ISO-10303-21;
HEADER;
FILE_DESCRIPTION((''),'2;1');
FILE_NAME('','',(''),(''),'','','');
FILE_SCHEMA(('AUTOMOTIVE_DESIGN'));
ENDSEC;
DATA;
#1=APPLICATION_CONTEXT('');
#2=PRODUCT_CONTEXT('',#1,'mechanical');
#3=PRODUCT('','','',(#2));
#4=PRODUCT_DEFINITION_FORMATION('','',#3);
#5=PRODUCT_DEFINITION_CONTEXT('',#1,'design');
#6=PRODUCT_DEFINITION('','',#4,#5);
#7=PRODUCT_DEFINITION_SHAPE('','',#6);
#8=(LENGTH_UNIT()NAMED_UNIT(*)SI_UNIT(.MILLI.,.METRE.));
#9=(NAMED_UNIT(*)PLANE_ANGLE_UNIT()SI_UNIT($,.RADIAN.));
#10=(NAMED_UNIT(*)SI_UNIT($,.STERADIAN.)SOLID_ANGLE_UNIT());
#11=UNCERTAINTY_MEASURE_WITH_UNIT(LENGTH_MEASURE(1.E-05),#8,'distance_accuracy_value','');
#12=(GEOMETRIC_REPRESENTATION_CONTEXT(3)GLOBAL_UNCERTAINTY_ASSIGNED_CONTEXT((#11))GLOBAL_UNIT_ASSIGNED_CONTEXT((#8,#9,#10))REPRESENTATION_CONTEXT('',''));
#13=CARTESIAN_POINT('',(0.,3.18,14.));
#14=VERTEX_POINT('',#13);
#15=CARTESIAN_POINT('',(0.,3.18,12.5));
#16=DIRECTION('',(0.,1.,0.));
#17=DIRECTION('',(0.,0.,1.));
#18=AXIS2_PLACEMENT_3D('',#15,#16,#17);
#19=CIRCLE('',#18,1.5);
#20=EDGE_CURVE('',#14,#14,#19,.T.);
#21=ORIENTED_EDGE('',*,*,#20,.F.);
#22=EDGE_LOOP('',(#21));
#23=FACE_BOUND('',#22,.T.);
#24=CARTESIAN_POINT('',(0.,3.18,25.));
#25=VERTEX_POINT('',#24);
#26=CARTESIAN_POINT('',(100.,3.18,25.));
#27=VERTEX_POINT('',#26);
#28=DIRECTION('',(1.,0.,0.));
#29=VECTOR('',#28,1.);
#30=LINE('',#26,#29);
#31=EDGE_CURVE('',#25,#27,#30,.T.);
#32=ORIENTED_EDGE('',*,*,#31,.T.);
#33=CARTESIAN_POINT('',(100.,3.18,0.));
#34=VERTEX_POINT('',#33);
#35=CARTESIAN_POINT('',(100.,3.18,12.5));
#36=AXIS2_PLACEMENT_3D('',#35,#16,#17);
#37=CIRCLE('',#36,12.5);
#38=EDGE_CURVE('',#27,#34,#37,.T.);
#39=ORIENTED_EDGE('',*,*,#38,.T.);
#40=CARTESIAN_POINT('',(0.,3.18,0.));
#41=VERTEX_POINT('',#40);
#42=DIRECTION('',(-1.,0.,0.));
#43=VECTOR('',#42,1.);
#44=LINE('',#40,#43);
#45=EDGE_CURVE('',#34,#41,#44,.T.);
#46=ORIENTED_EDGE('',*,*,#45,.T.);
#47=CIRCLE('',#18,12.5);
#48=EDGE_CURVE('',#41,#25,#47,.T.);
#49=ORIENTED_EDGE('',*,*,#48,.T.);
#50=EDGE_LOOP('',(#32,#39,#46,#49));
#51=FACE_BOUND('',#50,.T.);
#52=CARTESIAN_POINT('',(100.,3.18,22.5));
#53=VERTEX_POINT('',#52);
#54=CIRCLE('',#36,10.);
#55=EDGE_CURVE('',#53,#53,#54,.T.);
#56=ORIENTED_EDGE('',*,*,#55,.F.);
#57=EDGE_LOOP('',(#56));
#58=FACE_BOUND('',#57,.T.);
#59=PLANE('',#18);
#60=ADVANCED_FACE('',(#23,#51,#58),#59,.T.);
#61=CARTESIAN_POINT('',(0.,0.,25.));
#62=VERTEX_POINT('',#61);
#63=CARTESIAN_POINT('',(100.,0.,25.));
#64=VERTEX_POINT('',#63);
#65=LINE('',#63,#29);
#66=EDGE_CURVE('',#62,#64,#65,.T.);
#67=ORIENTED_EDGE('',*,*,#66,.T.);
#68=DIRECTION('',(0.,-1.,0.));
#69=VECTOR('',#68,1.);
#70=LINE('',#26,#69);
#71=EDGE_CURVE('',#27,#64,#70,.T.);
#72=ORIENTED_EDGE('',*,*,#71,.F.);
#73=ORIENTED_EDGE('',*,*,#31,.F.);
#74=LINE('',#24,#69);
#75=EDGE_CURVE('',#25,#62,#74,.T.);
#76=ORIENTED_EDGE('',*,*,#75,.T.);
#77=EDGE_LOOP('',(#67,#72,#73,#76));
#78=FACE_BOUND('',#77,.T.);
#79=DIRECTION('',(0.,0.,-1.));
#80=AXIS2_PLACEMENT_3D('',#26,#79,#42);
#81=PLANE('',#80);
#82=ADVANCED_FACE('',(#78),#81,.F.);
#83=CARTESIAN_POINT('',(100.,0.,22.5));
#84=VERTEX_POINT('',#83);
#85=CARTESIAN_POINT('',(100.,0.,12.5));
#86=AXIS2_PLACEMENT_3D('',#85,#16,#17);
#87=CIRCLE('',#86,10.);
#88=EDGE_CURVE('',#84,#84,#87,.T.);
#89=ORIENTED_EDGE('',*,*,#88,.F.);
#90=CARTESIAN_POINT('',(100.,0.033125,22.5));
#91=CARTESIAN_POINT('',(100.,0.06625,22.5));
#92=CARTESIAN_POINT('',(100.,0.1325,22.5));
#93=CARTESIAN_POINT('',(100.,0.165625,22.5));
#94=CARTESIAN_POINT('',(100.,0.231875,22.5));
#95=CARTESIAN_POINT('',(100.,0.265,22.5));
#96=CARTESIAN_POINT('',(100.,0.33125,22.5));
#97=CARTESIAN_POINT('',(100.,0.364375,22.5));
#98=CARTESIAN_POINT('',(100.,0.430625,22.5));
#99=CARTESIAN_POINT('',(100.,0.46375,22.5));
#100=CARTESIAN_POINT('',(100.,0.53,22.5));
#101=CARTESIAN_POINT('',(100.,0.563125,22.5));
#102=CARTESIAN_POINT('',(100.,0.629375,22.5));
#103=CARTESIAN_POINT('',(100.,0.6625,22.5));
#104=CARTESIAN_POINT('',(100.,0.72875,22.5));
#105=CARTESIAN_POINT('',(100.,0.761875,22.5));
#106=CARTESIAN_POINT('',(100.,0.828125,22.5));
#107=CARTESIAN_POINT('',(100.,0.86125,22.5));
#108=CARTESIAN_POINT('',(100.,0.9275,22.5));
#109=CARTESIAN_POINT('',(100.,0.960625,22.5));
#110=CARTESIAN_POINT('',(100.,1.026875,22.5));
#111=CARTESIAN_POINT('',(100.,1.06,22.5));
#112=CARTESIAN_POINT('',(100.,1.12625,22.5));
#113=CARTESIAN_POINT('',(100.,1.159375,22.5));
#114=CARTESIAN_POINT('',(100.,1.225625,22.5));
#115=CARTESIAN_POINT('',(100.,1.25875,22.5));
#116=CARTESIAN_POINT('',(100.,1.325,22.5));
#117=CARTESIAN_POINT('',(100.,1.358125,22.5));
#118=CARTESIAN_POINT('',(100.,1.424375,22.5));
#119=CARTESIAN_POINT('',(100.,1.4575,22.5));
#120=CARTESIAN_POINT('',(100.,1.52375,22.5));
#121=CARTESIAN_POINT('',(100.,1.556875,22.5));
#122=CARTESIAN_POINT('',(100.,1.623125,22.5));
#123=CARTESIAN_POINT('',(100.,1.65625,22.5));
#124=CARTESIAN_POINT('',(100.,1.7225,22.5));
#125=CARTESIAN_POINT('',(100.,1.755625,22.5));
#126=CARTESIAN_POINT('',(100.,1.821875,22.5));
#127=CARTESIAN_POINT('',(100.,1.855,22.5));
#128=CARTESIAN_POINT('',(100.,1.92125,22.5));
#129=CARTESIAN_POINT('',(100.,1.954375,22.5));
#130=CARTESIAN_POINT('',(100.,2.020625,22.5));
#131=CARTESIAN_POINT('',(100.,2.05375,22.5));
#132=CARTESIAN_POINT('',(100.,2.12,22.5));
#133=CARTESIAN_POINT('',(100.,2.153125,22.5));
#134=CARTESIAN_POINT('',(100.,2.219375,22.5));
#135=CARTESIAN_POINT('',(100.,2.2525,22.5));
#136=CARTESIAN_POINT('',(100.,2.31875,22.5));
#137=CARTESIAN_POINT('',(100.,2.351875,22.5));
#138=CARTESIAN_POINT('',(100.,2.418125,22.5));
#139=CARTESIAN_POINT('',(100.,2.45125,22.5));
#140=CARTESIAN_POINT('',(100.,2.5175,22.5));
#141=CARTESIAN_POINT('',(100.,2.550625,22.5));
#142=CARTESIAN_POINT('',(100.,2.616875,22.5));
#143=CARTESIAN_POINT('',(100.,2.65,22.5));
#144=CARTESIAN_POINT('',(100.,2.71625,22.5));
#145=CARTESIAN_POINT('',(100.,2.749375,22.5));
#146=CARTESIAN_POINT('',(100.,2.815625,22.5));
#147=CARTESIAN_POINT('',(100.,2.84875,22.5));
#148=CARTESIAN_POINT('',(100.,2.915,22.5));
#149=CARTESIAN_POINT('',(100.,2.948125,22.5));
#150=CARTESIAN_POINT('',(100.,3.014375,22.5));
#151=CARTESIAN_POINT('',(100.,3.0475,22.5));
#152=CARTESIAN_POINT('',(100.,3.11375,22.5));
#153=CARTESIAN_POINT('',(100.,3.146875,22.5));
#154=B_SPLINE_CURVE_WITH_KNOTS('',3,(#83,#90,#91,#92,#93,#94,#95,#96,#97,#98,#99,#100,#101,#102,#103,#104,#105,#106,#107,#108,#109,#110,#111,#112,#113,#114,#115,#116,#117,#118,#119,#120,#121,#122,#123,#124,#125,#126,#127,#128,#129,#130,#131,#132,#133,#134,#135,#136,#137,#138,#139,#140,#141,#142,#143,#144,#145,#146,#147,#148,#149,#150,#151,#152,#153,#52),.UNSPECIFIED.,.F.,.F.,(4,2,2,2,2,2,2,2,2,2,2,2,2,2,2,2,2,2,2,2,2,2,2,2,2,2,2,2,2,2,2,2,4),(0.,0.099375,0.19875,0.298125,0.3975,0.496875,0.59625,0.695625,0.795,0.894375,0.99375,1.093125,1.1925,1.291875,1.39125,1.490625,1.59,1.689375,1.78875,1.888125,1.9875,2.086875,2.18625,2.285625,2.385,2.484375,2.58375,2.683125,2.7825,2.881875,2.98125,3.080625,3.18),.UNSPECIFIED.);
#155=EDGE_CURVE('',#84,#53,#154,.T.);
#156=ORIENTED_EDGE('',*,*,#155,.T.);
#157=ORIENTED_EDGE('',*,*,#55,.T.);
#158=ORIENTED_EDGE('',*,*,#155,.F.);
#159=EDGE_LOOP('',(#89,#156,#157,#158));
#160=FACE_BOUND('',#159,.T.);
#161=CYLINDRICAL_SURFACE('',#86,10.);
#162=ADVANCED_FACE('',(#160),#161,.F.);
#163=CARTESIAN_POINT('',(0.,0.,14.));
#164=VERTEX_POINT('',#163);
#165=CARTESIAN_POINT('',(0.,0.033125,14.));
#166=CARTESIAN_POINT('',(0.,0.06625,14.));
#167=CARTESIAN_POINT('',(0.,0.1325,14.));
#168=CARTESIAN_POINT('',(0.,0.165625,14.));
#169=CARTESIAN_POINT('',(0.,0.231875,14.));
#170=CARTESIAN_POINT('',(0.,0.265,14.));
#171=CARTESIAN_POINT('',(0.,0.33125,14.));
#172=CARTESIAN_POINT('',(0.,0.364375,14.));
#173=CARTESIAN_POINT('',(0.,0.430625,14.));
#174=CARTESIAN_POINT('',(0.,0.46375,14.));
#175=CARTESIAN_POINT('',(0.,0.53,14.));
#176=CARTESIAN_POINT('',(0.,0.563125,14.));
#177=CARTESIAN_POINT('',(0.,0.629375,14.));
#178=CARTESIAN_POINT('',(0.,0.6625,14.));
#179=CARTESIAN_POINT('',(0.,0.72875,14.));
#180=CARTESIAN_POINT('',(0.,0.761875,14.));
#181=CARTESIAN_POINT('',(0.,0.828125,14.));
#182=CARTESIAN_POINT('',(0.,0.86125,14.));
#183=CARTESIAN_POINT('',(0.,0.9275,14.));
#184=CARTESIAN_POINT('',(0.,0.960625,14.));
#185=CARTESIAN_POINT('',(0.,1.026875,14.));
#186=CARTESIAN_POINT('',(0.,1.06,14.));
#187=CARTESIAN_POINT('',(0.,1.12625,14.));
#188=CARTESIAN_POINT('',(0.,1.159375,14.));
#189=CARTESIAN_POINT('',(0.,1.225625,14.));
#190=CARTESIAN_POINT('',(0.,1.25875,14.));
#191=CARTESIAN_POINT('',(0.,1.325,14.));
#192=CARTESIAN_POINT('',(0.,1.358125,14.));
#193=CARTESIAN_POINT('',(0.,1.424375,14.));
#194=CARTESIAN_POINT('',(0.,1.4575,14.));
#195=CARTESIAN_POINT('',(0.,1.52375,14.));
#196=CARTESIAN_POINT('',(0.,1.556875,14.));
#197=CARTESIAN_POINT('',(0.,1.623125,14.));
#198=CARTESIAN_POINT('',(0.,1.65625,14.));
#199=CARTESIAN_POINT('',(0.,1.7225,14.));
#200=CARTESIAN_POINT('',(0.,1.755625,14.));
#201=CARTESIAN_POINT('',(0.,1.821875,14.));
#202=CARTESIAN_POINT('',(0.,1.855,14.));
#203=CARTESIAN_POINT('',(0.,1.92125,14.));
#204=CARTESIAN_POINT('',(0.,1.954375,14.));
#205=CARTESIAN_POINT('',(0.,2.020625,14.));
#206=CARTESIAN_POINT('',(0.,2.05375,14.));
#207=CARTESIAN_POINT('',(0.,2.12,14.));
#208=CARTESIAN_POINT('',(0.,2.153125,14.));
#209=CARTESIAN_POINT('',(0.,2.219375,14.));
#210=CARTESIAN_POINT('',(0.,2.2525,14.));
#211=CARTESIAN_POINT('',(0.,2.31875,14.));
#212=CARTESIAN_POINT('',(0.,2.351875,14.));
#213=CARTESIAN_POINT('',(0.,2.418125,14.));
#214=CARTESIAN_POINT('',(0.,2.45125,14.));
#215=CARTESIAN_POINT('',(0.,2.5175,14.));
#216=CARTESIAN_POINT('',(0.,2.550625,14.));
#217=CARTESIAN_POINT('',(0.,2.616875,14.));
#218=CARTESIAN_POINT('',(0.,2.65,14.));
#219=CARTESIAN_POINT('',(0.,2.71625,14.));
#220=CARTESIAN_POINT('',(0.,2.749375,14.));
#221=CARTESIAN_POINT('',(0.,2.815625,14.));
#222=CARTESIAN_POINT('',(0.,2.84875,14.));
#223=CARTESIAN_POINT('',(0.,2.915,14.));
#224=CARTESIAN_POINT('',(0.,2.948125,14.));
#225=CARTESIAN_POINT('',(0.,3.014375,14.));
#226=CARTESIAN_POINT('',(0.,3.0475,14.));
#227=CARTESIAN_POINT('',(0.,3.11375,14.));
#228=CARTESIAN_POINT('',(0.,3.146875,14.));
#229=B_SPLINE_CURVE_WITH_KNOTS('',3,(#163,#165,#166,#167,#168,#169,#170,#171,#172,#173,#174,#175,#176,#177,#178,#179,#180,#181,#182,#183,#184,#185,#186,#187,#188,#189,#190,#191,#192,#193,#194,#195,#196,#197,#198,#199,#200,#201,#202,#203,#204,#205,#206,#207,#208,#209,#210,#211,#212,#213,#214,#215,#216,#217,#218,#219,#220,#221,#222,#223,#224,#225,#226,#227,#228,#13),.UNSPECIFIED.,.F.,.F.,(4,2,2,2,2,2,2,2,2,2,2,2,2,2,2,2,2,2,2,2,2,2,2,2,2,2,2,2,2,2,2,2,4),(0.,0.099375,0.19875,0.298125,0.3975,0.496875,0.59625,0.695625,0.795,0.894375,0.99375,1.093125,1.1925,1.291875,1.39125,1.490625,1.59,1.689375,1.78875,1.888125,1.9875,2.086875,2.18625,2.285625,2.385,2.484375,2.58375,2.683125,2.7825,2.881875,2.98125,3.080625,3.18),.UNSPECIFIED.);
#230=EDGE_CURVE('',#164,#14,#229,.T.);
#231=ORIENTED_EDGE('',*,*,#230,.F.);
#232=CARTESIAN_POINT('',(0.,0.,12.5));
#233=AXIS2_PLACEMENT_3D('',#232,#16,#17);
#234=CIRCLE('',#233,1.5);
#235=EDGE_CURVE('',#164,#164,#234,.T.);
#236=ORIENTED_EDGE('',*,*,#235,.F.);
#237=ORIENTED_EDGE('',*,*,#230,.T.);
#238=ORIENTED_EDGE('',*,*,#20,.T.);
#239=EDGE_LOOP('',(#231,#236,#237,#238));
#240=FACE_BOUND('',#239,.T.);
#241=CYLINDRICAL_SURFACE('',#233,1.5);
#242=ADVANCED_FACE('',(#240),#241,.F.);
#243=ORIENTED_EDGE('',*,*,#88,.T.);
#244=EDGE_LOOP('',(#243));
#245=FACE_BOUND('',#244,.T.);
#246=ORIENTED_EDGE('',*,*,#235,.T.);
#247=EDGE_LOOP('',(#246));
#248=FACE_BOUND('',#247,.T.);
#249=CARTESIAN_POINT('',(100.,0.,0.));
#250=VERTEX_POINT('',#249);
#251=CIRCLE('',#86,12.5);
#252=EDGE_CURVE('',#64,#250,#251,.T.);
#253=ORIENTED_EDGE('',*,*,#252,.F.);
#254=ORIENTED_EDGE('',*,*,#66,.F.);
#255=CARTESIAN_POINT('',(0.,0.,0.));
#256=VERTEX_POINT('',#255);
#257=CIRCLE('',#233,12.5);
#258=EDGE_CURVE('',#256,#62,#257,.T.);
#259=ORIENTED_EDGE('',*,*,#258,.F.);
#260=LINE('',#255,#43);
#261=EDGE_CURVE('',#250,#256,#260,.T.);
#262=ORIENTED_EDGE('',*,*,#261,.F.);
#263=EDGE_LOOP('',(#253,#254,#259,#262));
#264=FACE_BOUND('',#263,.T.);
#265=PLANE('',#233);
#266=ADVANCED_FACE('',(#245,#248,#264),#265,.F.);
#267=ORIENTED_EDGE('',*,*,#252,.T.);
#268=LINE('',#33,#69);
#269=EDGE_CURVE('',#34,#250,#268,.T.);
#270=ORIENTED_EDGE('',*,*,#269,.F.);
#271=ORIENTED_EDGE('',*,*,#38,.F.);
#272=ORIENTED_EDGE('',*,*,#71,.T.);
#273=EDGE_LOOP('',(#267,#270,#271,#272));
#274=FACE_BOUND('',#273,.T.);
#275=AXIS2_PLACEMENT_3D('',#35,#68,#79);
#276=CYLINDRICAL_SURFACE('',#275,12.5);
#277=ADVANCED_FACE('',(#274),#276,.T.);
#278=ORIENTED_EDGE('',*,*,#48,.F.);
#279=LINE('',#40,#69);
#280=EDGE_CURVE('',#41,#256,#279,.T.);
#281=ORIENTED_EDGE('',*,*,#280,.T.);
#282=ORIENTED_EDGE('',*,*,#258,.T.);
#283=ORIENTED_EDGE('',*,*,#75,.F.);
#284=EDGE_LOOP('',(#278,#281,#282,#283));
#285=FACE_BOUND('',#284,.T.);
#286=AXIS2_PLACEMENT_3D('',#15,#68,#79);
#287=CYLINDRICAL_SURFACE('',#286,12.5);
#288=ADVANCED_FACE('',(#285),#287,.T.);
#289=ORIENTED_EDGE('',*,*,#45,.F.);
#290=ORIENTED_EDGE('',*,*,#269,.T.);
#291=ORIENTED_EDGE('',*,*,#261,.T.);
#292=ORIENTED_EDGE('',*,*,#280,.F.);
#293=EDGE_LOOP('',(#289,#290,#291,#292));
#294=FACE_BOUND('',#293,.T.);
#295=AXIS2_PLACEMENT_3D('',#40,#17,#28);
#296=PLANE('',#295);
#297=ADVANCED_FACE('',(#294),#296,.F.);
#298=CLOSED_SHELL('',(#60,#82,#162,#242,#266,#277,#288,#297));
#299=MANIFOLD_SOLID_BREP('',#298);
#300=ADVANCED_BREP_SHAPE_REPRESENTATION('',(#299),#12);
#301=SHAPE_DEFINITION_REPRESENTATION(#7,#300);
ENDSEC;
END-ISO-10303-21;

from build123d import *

# Parameters (mm, degrees)
BOSS_EXTRUDE1_DEPTH = 3.18
SKETCH2_R           = 1.5
SKETCH2_R_2         = 10
CUT_EXTRUDE1_DEPTH  = 3.18


with BuildPart() as part:
    # Sketch1 → Boss-Extrude1 (new body)
    with BuildSketch(Plane(origin=(0, 0, 0), x_dir=(1, 0, 0), z_dir=(0, 1, 0))):
        with BuildLine():
            Line((0, 0), (100, 0))
            ThreePointArc((100, 0), (112.5, -12.5), (100, -25))
            Line((100, -25), (0, -25))
            ThreePointArc((0, -25), (-12.5, -12.5), (0, 0))
        make_face()
    extrude(amount=BOSS_EXTRUDE1_DEPTH)

    # Sketch2 → Cut-Extrude1 (cut)
    with BuildSketch(Plane(origin=(0, 3.18, 0), x_dir=(1, 0, 0), z_dir=(0, 1, 0))):
        with Locations(Location((0, -12.5, 0), (0, 0, 270))):
            Circle(SKETCH2_R)
        with Locations(Location((100, -12.5, 0), (0, 0, 270))):
            Circle(SKETCH2_R_2)
    extrude(amount=-CUT_EXTRUDE1_DEPTH, mode=Mode.SUBTRACT)


solid = part.part
